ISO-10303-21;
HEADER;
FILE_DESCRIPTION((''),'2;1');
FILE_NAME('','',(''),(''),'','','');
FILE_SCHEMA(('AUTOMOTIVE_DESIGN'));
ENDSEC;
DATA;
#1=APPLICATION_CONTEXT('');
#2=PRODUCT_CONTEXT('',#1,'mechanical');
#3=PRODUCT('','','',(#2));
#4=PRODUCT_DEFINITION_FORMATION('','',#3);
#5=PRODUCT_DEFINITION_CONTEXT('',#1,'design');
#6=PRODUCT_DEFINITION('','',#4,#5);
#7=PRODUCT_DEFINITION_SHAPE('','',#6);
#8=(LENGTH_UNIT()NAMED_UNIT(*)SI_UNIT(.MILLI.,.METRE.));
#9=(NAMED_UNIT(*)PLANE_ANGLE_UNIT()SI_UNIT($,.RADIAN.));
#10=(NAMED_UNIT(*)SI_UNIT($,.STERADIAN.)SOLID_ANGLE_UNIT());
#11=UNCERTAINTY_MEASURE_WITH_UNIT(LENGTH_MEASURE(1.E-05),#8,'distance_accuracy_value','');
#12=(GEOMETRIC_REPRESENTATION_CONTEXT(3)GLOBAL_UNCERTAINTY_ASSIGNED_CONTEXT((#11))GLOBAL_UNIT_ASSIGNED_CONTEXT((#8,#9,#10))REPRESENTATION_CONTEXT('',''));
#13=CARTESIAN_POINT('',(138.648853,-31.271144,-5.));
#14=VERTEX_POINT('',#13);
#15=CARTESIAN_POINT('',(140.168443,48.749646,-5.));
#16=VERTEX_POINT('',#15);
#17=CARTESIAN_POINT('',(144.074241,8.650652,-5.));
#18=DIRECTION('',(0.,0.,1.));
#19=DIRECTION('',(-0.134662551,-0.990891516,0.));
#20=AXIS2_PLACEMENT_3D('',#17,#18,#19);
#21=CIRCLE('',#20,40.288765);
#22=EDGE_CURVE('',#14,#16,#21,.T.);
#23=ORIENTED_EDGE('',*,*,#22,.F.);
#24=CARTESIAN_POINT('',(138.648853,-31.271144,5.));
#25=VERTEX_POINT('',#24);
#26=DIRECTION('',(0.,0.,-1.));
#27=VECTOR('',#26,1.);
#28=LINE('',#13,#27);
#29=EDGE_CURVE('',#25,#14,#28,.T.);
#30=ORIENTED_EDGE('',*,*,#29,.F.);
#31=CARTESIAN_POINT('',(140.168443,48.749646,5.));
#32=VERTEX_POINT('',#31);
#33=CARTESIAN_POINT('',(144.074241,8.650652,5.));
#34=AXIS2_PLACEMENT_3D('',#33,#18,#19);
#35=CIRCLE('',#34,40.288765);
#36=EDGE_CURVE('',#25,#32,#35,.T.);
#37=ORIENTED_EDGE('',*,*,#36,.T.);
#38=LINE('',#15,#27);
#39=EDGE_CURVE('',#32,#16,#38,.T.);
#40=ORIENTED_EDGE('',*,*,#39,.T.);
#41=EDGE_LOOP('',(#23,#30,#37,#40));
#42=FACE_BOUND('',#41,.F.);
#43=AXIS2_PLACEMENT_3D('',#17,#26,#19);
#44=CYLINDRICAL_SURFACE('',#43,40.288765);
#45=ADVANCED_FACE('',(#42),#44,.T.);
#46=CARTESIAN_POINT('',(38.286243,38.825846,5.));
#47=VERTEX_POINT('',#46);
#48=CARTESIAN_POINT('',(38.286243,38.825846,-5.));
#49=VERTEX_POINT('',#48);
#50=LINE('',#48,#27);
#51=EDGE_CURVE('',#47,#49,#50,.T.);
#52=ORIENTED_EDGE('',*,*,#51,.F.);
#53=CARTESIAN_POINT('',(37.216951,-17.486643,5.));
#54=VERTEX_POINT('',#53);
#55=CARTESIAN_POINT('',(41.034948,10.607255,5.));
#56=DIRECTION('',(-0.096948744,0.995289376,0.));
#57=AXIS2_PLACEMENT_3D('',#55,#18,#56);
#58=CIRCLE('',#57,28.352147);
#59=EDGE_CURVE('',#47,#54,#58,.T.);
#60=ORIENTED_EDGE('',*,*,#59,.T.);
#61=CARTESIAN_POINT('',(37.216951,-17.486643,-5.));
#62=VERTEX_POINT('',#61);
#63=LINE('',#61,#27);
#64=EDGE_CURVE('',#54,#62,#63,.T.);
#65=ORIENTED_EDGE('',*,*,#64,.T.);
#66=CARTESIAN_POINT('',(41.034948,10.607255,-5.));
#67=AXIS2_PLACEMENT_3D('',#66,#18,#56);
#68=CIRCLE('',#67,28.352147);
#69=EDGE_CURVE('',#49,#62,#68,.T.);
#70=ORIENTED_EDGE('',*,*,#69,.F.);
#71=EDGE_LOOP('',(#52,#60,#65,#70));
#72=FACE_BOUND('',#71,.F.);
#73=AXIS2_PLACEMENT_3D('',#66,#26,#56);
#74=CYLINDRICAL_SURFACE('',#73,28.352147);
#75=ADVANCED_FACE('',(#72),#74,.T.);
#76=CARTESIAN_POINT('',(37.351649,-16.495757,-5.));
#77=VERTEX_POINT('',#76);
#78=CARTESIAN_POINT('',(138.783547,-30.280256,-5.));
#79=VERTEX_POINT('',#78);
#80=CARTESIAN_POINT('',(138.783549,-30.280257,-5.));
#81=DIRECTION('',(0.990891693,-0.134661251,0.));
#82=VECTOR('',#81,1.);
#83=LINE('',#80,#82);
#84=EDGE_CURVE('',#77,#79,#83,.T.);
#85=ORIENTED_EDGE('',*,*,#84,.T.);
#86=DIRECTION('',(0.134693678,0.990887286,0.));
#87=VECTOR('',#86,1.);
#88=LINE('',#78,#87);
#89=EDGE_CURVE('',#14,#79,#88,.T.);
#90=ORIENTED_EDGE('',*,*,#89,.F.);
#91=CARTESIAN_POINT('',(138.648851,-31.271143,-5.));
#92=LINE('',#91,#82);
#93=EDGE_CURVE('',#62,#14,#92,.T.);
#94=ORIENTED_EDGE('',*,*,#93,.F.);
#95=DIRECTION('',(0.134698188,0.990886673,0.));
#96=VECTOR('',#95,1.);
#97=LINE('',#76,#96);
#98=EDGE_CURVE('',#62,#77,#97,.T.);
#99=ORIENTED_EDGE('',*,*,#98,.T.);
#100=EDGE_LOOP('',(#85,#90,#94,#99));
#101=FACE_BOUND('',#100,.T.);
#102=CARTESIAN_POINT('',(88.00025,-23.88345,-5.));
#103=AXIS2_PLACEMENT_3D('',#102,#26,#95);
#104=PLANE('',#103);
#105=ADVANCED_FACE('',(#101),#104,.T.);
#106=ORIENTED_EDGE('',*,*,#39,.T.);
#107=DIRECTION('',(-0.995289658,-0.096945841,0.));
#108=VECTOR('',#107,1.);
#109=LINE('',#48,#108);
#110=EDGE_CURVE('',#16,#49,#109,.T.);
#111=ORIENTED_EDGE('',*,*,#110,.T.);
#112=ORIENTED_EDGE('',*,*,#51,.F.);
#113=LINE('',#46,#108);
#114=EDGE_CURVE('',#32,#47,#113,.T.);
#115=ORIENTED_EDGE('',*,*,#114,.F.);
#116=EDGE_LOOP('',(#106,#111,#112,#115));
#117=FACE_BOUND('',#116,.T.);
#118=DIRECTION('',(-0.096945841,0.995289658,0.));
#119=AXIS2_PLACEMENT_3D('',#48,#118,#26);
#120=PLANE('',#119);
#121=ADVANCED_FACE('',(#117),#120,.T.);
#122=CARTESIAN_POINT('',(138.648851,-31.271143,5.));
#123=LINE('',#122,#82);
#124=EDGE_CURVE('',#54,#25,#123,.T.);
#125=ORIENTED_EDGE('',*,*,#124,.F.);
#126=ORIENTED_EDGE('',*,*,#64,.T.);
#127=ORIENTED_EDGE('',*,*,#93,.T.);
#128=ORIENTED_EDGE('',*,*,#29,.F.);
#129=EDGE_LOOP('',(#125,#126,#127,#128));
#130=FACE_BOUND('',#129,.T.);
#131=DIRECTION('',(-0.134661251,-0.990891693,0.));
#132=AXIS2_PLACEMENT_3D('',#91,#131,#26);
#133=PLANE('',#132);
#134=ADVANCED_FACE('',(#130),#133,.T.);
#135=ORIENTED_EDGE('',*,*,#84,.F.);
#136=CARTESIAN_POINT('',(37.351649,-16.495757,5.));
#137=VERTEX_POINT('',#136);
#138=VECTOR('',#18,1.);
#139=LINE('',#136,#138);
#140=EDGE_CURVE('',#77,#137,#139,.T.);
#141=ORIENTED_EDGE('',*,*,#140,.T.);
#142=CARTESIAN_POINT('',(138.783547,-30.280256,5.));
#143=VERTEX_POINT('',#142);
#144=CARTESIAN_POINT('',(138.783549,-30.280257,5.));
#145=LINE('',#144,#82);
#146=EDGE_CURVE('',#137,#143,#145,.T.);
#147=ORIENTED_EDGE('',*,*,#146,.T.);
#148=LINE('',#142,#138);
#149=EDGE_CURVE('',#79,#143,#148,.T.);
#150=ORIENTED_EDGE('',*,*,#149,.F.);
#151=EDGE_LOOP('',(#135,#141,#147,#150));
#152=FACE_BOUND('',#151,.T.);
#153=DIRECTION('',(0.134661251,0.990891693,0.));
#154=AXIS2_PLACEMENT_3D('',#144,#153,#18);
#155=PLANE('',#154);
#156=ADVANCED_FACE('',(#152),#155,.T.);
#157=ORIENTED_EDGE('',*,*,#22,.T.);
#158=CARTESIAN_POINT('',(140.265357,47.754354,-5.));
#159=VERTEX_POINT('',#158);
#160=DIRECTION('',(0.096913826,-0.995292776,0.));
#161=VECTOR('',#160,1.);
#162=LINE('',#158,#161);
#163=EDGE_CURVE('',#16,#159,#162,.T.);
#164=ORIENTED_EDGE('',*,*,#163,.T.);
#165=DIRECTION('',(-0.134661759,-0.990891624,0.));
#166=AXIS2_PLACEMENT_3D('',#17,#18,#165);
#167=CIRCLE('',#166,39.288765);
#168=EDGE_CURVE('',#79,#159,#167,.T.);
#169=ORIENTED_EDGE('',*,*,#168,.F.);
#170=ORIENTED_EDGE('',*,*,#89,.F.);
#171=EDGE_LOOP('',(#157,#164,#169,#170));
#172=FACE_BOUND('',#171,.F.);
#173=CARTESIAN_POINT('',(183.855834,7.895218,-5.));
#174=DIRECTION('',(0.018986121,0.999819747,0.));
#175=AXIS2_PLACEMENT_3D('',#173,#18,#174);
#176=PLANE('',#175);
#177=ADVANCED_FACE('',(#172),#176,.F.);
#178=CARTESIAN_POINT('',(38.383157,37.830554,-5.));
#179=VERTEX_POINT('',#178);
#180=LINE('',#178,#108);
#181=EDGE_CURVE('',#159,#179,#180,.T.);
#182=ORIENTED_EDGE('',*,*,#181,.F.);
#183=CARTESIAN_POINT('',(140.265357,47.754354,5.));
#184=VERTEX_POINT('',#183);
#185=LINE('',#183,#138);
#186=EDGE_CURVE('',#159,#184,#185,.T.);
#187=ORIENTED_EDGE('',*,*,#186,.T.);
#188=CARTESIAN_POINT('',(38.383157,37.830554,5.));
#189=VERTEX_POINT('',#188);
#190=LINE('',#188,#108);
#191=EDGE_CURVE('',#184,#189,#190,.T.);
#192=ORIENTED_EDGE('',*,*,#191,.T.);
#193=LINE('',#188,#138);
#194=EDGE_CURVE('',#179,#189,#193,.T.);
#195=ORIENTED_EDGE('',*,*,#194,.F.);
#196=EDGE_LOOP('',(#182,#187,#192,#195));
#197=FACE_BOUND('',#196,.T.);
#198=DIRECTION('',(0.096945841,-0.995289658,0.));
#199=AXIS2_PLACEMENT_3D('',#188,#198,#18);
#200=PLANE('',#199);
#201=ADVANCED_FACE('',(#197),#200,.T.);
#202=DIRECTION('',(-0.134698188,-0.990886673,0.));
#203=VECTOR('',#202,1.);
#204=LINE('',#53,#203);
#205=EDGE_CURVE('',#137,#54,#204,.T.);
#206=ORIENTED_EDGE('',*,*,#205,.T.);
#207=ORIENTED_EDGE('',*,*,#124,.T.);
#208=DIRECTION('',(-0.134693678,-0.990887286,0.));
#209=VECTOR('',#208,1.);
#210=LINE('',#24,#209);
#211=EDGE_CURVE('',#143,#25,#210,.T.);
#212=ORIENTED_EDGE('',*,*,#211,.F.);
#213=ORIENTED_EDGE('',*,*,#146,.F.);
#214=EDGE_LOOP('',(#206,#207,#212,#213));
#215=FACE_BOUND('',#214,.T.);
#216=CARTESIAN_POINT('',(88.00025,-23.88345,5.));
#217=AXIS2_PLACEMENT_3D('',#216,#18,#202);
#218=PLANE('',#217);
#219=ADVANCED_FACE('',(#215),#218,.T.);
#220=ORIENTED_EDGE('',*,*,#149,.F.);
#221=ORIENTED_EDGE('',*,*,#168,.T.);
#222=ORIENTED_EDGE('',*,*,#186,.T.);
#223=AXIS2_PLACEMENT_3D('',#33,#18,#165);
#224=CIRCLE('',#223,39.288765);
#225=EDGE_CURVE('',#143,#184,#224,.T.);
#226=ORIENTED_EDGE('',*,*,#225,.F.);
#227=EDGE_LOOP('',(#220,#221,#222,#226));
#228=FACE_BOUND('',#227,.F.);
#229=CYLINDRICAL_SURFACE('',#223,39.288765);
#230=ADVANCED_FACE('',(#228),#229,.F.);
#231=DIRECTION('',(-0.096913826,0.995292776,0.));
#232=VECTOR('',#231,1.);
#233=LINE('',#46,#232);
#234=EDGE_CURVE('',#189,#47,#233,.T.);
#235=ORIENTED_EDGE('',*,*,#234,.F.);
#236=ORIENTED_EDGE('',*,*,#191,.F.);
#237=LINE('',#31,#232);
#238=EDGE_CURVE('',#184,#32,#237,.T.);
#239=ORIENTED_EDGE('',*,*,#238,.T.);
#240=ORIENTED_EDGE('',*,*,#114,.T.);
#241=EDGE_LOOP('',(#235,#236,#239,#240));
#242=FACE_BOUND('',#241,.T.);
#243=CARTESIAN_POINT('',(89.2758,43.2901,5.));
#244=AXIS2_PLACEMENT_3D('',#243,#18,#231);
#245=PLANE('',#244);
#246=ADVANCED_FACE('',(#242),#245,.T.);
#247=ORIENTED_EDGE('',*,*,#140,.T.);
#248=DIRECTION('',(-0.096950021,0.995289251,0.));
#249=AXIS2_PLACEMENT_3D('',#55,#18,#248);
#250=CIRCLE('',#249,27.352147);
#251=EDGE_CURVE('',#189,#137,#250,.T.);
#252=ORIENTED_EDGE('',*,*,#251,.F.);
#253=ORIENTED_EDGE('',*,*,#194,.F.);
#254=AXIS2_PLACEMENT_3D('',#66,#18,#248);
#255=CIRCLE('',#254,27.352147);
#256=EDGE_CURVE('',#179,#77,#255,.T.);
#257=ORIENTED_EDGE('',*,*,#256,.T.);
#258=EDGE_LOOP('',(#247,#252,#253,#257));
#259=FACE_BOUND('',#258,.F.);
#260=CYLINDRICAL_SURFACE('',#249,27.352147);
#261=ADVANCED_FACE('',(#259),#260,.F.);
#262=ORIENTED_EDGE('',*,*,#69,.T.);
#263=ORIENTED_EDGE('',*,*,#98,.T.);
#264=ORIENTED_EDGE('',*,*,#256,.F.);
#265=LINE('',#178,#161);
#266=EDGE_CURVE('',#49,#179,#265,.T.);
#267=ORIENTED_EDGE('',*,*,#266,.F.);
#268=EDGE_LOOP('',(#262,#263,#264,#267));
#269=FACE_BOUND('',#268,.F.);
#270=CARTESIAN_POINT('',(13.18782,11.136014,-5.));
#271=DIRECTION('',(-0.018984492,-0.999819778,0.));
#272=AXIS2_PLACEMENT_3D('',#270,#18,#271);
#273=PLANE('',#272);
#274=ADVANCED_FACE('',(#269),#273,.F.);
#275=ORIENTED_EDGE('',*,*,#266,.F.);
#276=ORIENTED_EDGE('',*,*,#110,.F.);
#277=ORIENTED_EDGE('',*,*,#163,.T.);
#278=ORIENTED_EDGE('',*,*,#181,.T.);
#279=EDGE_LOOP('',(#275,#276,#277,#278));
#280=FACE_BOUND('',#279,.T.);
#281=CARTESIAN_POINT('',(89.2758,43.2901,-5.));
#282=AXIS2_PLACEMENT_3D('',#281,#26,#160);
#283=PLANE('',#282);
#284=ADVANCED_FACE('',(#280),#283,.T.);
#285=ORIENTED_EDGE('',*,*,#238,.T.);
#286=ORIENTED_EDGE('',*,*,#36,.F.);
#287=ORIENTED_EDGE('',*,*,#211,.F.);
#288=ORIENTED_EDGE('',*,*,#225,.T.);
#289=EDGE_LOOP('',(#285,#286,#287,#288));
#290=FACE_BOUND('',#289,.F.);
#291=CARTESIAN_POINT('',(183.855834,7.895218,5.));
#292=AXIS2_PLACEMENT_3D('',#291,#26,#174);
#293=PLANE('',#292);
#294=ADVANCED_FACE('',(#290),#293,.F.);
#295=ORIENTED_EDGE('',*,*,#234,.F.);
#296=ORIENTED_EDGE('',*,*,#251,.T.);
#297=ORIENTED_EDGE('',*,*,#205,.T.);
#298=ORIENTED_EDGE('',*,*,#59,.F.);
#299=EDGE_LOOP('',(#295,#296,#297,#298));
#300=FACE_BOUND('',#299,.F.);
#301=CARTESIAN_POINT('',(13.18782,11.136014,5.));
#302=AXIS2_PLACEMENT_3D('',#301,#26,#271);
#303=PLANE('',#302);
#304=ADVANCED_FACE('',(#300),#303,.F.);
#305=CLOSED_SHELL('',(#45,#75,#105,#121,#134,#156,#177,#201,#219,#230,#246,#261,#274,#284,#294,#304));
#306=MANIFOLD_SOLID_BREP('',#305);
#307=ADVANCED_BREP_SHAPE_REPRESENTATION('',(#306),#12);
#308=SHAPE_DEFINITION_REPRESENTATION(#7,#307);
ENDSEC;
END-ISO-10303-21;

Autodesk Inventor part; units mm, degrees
sketch "Sketch Path" plane through (0, 0, 0) normal (0, 0, 1) x (1, 0, 0)
  arc A0 (38.3347, 38.3282) -> (37.2843, -16.9912) centre (41.0349, 10.6073) ccw
  arc A1 (138.7162, -30.7757) -> (140.2169, 48.252) centre (144.0742, 8.6507) ccw
  line L0 (138.7162, -30.7757) -> (37.2843, -16.9912)
  line L1 (38.3347, 38.3282) -> (140.2169, 48.252)
ref_plane "Cross Section Plane" through (37.2843, -16.9912, 0) normal (0.9909, -0.1347, 0) x (0, 0, 1)
ref_plane "Work Plane2" through (41.0349, 10.6073, 0) normal (-1, 0, 0) x (0, 0, 1)
ref_plane "Work Plane3" through (144.0742, 8.6507, 0) normal (-0.9961, -0.0884, 0) x (0, 0, 1)
sketch "Cross Section" plane through (37.2843, -16.9912, 0) normal (0.9909, -0.1347, 0) x (0, 0, 1)
  line L0 (-5, 0.5) -> (5, 0.5)
  line L1 (5, 0.5) -> (5, -0.5)
  line L2 (5, -0.5) -> (-5, -0.5)
  line L3 (-5, -0.5) -> (-5, 0.5)
  line L4 (-5, 0) -> (5, 0) construction
  point P0 (0, 0)
  point P1 (0, 0)
  dimension "d0" = 10
  dimension "d4" = 0.5
  dimension "d5" = 0.5
sweep "Belt" add profiles "Cross Section" path "Sketch Path"
equation "\"d0\" = da_B"
equation "\"d4\" = da_a"
equation "\"d5\" = da_a2"
equation "\"da_B\" = 10"
equation "\"da_pb\" = 5"
equation "\"da_a\" = 0.5"
equation "\"da_S\" = 2.65"
equation "\"da_Beta\" = 20deg"
equation "\"da_Ht\" = 1.2"
equation "\"da_H\" = 2.2"
equation "\"da_a2\" = 0.5"
properties part number "Synchronous Belt" material "Rubber"
